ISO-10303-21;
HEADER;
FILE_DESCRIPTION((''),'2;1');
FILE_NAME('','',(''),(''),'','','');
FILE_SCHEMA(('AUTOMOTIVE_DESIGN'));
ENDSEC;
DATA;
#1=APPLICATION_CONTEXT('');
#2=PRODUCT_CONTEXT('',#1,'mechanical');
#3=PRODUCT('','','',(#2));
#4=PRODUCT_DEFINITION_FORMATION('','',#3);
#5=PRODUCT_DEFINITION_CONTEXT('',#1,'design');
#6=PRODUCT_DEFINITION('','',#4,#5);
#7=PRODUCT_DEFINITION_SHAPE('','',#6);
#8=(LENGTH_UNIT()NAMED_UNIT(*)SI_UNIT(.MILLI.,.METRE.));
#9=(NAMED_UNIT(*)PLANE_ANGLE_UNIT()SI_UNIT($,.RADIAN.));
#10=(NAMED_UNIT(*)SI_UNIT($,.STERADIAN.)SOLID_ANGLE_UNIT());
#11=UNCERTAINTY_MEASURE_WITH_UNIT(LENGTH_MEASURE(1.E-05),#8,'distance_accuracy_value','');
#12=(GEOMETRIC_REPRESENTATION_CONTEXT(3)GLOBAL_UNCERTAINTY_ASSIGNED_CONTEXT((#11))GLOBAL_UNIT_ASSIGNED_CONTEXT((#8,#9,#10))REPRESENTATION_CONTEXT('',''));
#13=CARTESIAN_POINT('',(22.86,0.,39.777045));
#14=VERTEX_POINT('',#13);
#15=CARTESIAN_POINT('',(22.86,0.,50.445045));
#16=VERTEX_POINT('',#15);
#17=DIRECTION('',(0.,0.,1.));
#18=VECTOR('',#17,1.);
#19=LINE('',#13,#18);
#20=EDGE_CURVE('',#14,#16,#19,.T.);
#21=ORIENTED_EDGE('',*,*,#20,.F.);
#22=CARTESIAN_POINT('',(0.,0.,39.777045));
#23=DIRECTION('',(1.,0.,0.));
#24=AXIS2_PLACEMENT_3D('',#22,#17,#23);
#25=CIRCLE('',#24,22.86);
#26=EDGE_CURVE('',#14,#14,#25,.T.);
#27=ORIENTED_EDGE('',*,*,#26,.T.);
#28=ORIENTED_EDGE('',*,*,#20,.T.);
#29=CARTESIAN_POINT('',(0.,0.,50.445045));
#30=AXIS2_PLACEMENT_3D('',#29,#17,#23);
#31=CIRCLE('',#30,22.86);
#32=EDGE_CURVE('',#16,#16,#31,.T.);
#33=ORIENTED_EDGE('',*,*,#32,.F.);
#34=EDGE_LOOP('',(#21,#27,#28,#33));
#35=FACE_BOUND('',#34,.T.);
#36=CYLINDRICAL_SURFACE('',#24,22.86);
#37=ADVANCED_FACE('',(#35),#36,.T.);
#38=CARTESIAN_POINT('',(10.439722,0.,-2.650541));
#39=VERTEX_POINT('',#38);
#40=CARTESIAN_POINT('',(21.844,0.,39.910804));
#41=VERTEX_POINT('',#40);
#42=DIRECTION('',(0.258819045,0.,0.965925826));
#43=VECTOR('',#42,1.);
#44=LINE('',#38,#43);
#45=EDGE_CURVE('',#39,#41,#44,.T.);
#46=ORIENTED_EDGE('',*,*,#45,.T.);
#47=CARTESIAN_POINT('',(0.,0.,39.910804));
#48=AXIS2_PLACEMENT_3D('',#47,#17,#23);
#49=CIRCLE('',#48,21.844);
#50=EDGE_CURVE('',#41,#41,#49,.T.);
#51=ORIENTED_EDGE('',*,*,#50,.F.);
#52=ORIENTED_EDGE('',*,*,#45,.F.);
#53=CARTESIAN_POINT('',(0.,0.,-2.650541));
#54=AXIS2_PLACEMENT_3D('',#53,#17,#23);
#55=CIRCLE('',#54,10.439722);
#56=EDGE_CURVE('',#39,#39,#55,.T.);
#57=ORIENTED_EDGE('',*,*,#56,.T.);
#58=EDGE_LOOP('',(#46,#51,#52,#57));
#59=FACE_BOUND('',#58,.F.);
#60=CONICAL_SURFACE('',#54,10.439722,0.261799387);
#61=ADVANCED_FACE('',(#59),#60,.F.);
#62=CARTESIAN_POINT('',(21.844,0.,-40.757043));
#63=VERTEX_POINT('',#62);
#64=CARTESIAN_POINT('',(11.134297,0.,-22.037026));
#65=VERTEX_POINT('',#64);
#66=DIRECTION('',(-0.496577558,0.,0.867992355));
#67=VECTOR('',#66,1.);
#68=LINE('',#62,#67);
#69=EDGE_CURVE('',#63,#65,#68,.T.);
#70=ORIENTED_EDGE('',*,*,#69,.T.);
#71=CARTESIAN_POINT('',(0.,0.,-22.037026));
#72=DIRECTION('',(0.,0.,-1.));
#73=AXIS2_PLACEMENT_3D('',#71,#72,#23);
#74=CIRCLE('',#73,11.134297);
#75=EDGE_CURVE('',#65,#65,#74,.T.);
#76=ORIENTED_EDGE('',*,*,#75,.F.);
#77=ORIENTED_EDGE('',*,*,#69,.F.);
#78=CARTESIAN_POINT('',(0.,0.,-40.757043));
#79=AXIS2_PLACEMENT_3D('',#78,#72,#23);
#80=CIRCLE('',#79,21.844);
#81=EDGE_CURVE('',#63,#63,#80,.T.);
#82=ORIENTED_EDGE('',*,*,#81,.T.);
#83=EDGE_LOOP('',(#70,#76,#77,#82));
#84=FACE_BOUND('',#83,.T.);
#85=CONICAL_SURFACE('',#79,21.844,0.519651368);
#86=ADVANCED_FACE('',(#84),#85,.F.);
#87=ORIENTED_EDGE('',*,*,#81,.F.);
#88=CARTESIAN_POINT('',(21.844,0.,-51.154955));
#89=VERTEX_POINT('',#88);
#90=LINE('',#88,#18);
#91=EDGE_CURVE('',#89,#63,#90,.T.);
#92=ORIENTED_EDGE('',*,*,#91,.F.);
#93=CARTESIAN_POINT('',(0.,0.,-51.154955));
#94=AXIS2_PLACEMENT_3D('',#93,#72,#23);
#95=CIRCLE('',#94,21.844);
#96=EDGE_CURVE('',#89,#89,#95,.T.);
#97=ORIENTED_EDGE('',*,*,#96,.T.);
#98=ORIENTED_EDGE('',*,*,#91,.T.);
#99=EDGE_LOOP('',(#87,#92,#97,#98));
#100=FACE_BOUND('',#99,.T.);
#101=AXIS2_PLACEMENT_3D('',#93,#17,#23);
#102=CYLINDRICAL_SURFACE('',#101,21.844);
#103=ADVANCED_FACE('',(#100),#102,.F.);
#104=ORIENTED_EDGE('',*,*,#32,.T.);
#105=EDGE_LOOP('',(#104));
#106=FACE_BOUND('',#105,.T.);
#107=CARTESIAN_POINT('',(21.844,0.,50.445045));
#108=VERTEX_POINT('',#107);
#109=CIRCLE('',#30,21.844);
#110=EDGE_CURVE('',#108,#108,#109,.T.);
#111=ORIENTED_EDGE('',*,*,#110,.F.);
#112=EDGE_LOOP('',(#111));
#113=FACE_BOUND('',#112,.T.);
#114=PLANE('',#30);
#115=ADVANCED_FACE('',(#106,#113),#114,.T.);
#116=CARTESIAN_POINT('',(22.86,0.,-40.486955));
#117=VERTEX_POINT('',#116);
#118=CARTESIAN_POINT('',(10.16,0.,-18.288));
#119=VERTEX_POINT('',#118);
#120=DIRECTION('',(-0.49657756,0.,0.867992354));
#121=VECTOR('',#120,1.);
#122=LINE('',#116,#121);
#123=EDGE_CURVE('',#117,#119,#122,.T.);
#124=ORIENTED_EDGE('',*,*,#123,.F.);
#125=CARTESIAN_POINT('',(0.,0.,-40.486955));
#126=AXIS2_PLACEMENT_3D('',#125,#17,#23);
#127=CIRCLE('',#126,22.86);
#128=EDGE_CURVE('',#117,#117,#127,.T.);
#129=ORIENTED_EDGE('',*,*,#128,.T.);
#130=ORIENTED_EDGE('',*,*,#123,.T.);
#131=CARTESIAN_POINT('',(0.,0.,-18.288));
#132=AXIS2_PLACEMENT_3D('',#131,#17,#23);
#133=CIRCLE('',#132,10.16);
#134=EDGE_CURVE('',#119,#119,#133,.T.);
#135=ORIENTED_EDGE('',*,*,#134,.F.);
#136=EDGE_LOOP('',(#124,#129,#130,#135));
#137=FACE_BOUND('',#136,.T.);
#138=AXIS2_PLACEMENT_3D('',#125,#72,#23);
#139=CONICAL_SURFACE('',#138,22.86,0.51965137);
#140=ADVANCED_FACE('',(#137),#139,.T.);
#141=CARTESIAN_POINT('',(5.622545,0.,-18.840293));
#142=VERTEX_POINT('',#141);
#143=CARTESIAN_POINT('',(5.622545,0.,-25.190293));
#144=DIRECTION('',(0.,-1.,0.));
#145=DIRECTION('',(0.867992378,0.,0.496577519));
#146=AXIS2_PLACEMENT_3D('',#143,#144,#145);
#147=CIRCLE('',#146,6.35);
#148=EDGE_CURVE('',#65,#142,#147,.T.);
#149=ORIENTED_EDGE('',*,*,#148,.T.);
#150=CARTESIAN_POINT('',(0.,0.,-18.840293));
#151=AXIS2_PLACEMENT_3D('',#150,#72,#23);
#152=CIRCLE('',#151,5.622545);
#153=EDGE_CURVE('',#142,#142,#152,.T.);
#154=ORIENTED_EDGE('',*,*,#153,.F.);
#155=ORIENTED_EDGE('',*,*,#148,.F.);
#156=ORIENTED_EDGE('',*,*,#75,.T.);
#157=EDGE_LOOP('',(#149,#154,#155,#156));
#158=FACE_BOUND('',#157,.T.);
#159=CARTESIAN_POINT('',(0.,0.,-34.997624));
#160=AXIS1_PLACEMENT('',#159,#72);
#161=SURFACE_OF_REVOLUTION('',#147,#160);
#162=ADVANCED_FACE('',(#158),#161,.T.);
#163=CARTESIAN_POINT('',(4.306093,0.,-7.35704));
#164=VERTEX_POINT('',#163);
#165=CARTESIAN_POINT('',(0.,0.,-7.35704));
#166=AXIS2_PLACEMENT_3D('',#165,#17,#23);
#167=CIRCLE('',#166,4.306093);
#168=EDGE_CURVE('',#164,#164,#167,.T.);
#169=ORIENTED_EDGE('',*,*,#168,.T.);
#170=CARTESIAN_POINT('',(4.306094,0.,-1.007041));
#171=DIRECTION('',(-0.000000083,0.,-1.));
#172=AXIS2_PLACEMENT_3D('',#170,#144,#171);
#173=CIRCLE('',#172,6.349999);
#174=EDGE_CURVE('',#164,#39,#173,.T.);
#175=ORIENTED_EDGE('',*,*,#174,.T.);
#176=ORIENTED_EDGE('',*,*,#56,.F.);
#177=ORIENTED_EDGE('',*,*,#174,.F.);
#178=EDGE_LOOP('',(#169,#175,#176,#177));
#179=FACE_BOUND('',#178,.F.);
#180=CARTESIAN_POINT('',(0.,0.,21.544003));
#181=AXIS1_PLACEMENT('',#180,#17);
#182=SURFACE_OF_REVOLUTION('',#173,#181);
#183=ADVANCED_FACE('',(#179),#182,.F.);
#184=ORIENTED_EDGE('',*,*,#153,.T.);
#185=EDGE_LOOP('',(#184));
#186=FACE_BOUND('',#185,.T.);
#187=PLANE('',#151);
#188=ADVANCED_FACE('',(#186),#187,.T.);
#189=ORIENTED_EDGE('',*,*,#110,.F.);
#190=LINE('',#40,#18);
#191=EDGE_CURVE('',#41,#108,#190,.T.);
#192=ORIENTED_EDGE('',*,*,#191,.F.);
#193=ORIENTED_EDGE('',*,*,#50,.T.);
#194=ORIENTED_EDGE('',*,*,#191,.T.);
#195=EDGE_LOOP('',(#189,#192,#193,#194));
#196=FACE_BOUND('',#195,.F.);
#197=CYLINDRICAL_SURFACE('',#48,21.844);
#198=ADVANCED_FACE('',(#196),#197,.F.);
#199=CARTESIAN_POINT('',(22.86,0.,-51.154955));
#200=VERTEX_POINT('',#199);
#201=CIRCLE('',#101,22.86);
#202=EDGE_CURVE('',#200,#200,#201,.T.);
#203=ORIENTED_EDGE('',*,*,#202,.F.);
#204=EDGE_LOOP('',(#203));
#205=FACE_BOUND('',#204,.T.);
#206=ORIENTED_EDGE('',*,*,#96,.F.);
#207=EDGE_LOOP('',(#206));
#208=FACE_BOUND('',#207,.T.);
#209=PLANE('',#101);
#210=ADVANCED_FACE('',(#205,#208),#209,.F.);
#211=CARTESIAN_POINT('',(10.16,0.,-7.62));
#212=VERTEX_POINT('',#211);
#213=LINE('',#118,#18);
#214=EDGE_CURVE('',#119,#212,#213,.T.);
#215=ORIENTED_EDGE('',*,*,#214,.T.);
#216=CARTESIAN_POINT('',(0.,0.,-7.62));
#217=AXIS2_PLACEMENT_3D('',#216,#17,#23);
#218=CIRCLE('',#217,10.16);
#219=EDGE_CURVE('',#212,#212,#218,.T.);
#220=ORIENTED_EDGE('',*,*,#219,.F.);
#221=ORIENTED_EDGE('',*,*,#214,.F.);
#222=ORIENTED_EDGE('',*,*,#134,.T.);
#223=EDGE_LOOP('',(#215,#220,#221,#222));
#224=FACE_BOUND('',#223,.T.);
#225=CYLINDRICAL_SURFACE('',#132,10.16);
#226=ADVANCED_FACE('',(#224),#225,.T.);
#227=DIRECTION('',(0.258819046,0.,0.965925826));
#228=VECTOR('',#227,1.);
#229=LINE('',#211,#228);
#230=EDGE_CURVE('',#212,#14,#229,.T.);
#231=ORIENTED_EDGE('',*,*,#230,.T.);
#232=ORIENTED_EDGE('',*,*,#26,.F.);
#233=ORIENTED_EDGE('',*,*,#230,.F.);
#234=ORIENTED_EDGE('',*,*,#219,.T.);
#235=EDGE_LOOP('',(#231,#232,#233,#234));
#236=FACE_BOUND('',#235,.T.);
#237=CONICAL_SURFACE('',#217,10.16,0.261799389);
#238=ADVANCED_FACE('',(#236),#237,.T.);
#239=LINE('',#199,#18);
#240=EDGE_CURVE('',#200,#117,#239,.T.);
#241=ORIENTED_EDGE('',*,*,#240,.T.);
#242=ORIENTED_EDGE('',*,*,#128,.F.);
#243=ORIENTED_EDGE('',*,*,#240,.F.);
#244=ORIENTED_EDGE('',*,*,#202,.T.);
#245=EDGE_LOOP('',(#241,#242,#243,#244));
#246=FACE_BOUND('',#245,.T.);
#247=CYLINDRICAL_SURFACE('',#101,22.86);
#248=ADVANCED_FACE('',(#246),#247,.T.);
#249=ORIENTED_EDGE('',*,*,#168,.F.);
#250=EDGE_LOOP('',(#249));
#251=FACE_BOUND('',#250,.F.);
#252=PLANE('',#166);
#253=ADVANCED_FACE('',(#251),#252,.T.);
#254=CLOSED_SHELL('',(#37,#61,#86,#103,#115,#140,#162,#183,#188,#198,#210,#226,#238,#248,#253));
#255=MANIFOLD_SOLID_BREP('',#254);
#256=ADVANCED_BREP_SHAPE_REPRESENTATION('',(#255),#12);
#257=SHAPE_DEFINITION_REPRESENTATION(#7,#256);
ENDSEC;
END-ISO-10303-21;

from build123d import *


with BuildPart() as f1:
    # F0 (on Front) → F1 (revolve)
    with BuildSketch(Plane.XZ):
        Polygon((22.86, 39.777045), (22.86, 50.445045), (0, 50.445045), (0, -51.154955), (22.86, -51.154955), (22.86, -40.486955), (10.16, -18.288), (10.16, -7.62), align=None)
    revolve(axis=Axis((0, 0, -0.354955), (0, 0, 1)))

    # F2 (on Front) → F3 (revolve, cut)
    with BuildSketch(Plane.XZ):
        with BuildLine():
            Line((10.439722, -2.650541), (21.844, 39.910804))
            Line((21.844, 39.910804), (21.844, 50.445045))
            Line((21.844, 50.445045), (0, 50.445045))
            Line((0, 50.445045), (0, -7.35704))
            Line((0, -7.35704), (4.306093, -7.35704))
            ThreePointArc((4.306093, -7.35704), (8.171728, -6.044834), (10.439722, -2.650541))
        make_face()
    revolve(axis=Axis((0, 0, 21.544003), (0, 0, 1)), mode=Mode.SUBTRACT)

    # F4 (on Front) → F5 (revolve, cut)
    with BuildSketch(Plane.XZ):
        with BuildLine():
            Line((21.844, -40.757043), (11.134297, -22.037026))
            ThreePointArc((11.134297, -22.037026), (8.808393, -19.697309), (5.622545, -18.840293))
            Line((5.622545, -18.840293), (0, -18.840293))
            Line((0, -18.840293), (0, -51.154955))
            Line((0, -51.154955), (21.844, -51.154955))
            Line((21.844, -51.154955), (21.844, -40.757043))
        make_face()
    revolve(axis=Axis((0, 0, -34.997624), (0, 0, -1)), mode=Mode.SUBTRACT)


solid = f1.part
